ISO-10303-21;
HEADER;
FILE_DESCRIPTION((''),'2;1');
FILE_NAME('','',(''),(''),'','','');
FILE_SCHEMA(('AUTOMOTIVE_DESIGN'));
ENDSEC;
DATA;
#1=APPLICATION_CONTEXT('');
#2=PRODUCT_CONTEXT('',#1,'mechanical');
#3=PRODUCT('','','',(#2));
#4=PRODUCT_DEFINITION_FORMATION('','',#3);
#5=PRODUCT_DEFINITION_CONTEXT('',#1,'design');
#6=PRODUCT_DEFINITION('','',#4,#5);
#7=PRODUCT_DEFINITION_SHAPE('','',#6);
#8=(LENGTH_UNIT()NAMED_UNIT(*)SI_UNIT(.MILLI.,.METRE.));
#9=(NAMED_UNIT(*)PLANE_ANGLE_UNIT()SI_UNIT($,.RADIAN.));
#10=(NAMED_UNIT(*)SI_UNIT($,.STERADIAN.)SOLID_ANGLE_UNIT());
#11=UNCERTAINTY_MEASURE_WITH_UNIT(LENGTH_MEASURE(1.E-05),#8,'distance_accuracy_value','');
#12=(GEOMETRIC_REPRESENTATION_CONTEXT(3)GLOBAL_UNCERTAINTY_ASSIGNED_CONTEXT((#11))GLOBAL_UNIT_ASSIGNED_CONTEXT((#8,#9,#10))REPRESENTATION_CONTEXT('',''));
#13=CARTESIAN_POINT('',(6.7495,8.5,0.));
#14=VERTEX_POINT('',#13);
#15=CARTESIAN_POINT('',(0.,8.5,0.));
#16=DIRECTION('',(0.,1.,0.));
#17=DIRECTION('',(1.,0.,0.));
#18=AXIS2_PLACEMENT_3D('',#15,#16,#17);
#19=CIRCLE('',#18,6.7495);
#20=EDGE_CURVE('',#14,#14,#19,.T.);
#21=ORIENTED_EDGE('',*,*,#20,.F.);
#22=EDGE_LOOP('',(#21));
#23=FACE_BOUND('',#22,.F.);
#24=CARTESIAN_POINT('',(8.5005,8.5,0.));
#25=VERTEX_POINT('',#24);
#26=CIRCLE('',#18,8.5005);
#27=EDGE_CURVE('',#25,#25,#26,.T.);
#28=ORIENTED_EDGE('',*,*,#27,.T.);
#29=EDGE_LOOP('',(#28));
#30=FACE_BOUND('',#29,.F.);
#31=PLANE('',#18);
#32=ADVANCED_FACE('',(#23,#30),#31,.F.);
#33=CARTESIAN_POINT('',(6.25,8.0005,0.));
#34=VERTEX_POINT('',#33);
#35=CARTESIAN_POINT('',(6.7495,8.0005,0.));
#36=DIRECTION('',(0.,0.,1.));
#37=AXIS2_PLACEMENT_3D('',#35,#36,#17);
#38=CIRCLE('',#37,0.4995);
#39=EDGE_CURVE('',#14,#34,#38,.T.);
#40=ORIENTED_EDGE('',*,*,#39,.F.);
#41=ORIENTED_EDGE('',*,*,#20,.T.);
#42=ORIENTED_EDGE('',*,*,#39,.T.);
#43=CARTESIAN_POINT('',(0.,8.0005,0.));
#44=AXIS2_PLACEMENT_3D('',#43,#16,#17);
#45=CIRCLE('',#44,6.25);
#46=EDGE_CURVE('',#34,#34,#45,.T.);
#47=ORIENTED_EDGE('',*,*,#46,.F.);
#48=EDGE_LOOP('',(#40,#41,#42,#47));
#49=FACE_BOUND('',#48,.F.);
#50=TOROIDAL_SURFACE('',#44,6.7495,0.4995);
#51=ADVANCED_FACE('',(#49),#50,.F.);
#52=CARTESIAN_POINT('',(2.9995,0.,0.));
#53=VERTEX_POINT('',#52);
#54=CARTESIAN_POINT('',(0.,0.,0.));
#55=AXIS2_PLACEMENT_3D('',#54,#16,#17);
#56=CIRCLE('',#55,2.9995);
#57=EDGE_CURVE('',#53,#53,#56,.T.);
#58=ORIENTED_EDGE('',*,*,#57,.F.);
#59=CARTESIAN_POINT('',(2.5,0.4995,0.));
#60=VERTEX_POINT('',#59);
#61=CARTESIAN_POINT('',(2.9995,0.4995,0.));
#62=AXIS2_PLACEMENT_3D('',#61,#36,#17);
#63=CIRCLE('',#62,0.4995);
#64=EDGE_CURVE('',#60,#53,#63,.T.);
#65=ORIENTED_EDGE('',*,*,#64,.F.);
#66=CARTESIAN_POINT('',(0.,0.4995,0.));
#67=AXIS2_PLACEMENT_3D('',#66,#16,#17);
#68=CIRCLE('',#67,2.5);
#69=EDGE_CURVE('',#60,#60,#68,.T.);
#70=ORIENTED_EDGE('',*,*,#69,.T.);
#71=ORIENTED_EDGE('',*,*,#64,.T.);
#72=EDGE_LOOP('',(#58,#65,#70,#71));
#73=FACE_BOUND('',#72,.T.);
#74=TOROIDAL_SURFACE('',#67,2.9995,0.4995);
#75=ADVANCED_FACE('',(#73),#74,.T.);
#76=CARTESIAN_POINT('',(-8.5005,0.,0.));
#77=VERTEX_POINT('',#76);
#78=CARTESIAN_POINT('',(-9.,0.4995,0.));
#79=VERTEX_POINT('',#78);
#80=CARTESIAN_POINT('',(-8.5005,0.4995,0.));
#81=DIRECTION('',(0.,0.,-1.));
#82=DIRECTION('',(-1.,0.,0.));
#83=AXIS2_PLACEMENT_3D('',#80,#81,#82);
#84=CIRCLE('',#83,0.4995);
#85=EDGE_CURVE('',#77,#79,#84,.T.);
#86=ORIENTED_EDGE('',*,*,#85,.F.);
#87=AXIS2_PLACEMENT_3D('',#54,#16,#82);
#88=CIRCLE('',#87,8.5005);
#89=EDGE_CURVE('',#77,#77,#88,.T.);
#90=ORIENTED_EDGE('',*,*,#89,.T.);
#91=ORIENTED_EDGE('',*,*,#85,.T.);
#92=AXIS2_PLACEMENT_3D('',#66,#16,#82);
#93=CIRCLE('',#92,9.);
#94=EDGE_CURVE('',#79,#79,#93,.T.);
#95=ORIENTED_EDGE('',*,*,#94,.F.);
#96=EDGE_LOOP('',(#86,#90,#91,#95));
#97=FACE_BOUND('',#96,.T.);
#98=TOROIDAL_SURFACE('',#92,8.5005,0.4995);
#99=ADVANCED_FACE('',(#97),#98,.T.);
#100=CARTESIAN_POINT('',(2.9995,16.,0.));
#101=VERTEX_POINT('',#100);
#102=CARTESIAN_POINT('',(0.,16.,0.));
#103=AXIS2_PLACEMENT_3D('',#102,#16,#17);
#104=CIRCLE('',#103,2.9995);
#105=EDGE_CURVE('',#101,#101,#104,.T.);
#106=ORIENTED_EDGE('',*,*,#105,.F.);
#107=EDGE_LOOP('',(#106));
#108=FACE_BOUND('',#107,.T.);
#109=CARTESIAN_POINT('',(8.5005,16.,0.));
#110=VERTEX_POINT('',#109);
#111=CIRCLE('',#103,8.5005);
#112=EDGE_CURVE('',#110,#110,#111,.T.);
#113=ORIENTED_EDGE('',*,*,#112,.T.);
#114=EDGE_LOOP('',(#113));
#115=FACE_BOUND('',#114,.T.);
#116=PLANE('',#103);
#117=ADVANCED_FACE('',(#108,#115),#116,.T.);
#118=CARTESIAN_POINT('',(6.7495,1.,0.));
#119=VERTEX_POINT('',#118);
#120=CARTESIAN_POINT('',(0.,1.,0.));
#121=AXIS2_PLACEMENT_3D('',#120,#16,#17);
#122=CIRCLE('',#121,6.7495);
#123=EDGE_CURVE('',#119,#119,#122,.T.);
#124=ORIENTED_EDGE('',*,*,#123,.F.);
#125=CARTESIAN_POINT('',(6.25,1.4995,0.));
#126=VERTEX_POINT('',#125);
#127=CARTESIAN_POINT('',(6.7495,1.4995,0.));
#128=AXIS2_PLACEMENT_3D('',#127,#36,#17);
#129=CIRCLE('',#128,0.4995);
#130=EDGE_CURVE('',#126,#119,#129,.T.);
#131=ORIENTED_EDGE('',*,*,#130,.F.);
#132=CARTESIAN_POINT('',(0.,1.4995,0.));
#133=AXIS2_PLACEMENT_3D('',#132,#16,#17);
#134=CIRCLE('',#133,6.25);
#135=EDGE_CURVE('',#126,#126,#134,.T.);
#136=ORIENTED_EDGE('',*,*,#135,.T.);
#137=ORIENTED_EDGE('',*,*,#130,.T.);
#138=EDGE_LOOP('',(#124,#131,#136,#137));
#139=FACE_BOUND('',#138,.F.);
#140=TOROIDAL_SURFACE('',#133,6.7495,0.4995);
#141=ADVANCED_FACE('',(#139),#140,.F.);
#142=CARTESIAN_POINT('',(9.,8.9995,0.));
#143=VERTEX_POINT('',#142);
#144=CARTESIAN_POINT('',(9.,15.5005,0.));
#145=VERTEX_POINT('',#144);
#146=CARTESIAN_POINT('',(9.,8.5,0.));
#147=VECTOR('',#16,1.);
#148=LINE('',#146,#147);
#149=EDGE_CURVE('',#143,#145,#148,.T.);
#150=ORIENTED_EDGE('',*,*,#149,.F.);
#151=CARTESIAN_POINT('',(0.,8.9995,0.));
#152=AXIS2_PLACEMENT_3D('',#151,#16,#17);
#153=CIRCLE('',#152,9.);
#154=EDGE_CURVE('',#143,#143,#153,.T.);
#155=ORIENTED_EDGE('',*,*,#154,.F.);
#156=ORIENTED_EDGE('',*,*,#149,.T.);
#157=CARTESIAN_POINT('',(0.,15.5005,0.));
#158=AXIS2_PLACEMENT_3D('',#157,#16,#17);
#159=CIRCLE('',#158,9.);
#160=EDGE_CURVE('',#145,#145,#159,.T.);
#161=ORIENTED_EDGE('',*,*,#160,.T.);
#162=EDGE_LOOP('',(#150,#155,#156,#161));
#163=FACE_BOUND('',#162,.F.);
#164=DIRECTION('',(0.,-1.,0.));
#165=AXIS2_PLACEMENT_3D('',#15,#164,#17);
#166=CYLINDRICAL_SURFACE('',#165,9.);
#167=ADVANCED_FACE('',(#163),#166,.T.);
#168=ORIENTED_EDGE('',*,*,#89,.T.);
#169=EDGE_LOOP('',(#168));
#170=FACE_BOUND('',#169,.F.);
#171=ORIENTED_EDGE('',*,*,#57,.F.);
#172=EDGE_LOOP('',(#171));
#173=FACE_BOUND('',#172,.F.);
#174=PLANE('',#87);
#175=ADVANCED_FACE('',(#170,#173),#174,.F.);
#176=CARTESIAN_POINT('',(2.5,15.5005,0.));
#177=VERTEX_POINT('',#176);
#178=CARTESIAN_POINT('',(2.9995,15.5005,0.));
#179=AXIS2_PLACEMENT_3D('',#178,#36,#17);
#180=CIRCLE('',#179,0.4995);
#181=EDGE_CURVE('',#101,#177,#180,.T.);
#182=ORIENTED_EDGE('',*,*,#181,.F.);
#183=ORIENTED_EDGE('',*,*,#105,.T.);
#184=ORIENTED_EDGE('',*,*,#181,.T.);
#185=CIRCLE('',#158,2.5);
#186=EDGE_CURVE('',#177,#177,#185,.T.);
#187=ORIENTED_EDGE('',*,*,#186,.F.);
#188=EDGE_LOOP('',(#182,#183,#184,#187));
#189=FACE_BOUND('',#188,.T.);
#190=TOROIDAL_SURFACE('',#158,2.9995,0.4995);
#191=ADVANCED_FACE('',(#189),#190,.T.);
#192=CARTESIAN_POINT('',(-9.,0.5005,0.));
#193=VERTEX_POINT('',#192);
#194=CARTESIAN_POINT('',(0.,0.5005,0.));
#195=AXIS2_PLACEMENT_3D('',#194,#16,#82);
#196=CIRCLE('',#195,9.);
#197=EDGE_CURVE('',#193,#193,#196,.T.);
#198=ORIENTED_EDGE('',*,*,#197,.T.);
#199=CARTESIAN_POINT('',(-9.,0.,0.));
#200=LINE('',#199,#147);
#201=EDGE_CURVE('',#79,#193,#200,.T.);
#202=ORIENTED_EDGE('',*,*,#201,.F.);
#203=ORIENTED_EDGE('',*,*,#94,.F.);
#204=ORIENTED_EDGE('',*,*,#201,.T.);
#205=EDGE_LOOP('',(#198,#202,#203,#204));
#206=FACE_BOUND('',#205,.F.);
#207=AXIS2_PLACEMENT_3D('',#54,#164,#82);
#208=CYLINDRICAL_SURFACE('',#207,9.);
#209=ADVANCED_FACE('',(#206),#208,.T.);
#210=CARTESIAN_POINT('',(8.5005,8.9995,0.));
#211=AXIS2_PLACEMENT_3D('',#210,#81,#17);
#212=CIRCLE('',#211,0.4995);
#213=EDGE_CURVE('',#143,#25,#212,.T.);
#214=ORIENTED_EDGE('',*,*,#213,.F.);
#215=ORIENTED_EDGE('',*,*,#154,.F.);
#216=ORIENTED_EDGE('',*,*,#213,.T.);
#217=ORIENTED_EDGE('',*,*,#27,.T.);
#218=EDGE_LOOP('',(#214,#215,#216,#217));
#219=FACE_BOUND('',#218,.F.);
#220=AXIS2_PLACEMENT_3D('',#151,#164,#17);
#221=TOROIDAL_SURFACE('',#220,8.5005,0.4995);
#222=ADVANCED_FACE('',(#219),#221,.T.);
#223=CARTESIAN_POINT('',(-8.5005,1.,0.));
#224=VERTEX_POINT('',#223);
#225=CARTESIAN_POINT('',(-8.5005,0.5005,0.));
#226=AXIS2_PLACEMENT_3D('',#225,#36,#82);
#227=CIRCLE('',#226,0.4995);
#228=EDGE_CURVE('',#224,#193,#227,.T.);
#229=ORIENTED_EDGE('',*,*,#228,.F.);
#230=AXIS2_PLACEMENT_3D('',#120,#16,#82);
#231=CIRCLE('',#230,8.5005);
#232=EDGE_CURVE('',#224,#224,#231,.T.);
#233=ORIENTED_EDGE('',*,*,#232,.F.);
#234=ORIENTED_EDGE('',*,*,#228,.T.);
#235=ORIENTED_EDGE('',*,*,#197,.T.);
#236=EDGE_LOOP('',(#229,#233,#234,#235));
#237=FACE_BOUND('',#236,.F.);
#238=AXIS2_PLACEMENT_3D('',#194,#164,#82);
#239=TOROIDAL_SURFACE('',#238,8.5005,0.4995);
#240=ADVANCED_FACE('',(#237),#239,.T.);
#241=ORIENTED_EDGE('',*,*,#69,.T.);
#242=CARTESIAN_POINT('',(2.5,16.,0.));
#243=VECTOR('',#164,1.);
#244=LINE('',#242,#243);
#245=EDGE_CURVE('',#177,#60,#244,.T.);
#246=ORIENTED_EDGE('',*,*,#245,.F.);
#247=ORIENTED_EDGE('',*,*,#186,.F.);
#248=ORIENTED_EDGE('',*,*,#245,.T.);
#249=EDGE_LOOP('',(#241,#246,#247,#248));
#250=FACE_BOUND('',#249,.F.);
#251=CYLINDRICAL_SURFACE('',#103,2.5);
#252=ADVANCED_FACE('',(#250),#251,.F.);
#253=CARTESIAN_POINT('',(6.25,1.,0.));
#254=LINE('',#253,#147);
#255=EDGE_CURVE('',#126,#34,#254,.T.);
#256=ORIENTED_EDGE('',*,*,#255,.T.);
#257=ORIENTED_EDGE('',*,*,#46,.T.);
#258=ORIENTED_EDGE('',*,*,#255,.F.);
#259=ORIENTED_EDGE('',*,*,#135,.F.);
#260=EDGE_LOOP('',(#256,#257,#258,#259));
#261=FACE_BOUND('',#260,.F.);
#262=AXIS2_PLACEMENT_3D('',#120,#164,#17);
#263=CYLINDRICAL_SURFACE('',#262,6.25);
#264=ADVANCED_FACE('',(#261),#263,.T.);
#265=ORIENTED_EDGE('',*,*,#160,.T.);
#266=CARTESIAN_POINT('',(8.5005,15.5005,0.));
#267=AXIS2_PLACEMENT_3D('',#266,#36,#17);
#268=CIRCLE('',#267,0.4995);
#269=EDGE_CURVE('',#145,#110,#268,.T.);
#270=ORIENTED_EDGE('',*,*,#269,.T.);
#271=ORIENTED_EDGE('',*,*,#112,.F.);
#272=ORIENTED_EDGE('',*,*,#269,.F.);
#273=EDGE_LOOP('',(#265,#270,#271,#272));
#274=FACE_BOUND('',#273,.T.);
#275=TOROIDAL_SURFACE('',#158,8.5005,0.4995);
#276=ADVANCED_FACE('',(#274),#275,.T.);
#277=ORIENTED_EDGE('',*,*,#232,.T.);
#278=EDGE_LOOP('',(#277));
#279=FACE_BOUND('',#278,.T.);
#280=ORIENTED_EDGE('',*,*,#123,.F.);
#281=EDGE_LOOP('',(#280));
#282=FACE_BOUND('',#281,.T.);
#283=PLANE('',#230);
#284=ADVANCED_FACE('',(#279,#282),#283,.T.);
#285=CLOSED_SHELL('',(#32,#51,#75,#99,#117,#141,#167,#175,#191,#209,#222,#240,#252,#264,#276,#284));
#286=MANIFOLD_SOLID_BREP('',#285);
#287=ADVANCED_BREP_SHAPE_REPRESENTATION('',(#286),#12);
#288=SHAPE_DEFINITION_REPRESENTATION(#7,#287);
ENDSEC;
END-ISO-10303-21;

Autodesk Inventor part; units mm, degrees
ref_plane "YZ Plane" through (0, 0, 0) normal (1, 0, 0) x (0, 1, 0)
ref_plane "XZ Plane" through (0, 0, 0) normal (0, 1, 0) x (-1, 0, 0)
ref_plane "XY Plane" through (0, 0, 0) normal (0, 0, 1) x (1, 0, 0)
sketch "Sketch1" plane through (0, 0, 0) normal (0, 1, 0) x (-1, 0, 0)
  circle A0 centre (0, 0) radius 9
  dimension "d0" = 18
extrude "Extrusion1" add sketch "Sketch1" along normal blind 1
sketch "Sketch2" plane through (0, 1, 0) normal (0, 1, 0) x (1, 0, 0)
  circle A0 centre (0, 0) radius 6.25
  dimension "d3" = 12.5
extrude "Extrusion2" add sketch "Sketch2" along normal blind 7.5
sketch "Sketch3" plane through (0, 8.5, 0) normal (0, 1, 0) x (1, 0, 0)
  circle A0 centre (0, 0) radius 9
extrude "Extrusion3" add sketch "Sketch3" along normal blind 7.5
sketch "Sketch5" plane through (0, 16, 0) normal (0, 1, 0) x (1, 0, 0)
  circle A0 centre (0, 0) radius 2.5
  dimension "d12" = 5
extrude "Extrusion5" cut sketch "Sketch5" against normal blind 20
fillet "Fillet2" radius 0.5 8 edges at (-2.5, 16, 0) (-9, 16, 0) (-9, 8.5, 0) (-6.25, 1, 0) (9, 1, 0) (-6.25, 8.5, 0) (9, 0, 0) (-2.5, 0, 0)
properties part number "Zahnriemenscheibe_20teeth"
